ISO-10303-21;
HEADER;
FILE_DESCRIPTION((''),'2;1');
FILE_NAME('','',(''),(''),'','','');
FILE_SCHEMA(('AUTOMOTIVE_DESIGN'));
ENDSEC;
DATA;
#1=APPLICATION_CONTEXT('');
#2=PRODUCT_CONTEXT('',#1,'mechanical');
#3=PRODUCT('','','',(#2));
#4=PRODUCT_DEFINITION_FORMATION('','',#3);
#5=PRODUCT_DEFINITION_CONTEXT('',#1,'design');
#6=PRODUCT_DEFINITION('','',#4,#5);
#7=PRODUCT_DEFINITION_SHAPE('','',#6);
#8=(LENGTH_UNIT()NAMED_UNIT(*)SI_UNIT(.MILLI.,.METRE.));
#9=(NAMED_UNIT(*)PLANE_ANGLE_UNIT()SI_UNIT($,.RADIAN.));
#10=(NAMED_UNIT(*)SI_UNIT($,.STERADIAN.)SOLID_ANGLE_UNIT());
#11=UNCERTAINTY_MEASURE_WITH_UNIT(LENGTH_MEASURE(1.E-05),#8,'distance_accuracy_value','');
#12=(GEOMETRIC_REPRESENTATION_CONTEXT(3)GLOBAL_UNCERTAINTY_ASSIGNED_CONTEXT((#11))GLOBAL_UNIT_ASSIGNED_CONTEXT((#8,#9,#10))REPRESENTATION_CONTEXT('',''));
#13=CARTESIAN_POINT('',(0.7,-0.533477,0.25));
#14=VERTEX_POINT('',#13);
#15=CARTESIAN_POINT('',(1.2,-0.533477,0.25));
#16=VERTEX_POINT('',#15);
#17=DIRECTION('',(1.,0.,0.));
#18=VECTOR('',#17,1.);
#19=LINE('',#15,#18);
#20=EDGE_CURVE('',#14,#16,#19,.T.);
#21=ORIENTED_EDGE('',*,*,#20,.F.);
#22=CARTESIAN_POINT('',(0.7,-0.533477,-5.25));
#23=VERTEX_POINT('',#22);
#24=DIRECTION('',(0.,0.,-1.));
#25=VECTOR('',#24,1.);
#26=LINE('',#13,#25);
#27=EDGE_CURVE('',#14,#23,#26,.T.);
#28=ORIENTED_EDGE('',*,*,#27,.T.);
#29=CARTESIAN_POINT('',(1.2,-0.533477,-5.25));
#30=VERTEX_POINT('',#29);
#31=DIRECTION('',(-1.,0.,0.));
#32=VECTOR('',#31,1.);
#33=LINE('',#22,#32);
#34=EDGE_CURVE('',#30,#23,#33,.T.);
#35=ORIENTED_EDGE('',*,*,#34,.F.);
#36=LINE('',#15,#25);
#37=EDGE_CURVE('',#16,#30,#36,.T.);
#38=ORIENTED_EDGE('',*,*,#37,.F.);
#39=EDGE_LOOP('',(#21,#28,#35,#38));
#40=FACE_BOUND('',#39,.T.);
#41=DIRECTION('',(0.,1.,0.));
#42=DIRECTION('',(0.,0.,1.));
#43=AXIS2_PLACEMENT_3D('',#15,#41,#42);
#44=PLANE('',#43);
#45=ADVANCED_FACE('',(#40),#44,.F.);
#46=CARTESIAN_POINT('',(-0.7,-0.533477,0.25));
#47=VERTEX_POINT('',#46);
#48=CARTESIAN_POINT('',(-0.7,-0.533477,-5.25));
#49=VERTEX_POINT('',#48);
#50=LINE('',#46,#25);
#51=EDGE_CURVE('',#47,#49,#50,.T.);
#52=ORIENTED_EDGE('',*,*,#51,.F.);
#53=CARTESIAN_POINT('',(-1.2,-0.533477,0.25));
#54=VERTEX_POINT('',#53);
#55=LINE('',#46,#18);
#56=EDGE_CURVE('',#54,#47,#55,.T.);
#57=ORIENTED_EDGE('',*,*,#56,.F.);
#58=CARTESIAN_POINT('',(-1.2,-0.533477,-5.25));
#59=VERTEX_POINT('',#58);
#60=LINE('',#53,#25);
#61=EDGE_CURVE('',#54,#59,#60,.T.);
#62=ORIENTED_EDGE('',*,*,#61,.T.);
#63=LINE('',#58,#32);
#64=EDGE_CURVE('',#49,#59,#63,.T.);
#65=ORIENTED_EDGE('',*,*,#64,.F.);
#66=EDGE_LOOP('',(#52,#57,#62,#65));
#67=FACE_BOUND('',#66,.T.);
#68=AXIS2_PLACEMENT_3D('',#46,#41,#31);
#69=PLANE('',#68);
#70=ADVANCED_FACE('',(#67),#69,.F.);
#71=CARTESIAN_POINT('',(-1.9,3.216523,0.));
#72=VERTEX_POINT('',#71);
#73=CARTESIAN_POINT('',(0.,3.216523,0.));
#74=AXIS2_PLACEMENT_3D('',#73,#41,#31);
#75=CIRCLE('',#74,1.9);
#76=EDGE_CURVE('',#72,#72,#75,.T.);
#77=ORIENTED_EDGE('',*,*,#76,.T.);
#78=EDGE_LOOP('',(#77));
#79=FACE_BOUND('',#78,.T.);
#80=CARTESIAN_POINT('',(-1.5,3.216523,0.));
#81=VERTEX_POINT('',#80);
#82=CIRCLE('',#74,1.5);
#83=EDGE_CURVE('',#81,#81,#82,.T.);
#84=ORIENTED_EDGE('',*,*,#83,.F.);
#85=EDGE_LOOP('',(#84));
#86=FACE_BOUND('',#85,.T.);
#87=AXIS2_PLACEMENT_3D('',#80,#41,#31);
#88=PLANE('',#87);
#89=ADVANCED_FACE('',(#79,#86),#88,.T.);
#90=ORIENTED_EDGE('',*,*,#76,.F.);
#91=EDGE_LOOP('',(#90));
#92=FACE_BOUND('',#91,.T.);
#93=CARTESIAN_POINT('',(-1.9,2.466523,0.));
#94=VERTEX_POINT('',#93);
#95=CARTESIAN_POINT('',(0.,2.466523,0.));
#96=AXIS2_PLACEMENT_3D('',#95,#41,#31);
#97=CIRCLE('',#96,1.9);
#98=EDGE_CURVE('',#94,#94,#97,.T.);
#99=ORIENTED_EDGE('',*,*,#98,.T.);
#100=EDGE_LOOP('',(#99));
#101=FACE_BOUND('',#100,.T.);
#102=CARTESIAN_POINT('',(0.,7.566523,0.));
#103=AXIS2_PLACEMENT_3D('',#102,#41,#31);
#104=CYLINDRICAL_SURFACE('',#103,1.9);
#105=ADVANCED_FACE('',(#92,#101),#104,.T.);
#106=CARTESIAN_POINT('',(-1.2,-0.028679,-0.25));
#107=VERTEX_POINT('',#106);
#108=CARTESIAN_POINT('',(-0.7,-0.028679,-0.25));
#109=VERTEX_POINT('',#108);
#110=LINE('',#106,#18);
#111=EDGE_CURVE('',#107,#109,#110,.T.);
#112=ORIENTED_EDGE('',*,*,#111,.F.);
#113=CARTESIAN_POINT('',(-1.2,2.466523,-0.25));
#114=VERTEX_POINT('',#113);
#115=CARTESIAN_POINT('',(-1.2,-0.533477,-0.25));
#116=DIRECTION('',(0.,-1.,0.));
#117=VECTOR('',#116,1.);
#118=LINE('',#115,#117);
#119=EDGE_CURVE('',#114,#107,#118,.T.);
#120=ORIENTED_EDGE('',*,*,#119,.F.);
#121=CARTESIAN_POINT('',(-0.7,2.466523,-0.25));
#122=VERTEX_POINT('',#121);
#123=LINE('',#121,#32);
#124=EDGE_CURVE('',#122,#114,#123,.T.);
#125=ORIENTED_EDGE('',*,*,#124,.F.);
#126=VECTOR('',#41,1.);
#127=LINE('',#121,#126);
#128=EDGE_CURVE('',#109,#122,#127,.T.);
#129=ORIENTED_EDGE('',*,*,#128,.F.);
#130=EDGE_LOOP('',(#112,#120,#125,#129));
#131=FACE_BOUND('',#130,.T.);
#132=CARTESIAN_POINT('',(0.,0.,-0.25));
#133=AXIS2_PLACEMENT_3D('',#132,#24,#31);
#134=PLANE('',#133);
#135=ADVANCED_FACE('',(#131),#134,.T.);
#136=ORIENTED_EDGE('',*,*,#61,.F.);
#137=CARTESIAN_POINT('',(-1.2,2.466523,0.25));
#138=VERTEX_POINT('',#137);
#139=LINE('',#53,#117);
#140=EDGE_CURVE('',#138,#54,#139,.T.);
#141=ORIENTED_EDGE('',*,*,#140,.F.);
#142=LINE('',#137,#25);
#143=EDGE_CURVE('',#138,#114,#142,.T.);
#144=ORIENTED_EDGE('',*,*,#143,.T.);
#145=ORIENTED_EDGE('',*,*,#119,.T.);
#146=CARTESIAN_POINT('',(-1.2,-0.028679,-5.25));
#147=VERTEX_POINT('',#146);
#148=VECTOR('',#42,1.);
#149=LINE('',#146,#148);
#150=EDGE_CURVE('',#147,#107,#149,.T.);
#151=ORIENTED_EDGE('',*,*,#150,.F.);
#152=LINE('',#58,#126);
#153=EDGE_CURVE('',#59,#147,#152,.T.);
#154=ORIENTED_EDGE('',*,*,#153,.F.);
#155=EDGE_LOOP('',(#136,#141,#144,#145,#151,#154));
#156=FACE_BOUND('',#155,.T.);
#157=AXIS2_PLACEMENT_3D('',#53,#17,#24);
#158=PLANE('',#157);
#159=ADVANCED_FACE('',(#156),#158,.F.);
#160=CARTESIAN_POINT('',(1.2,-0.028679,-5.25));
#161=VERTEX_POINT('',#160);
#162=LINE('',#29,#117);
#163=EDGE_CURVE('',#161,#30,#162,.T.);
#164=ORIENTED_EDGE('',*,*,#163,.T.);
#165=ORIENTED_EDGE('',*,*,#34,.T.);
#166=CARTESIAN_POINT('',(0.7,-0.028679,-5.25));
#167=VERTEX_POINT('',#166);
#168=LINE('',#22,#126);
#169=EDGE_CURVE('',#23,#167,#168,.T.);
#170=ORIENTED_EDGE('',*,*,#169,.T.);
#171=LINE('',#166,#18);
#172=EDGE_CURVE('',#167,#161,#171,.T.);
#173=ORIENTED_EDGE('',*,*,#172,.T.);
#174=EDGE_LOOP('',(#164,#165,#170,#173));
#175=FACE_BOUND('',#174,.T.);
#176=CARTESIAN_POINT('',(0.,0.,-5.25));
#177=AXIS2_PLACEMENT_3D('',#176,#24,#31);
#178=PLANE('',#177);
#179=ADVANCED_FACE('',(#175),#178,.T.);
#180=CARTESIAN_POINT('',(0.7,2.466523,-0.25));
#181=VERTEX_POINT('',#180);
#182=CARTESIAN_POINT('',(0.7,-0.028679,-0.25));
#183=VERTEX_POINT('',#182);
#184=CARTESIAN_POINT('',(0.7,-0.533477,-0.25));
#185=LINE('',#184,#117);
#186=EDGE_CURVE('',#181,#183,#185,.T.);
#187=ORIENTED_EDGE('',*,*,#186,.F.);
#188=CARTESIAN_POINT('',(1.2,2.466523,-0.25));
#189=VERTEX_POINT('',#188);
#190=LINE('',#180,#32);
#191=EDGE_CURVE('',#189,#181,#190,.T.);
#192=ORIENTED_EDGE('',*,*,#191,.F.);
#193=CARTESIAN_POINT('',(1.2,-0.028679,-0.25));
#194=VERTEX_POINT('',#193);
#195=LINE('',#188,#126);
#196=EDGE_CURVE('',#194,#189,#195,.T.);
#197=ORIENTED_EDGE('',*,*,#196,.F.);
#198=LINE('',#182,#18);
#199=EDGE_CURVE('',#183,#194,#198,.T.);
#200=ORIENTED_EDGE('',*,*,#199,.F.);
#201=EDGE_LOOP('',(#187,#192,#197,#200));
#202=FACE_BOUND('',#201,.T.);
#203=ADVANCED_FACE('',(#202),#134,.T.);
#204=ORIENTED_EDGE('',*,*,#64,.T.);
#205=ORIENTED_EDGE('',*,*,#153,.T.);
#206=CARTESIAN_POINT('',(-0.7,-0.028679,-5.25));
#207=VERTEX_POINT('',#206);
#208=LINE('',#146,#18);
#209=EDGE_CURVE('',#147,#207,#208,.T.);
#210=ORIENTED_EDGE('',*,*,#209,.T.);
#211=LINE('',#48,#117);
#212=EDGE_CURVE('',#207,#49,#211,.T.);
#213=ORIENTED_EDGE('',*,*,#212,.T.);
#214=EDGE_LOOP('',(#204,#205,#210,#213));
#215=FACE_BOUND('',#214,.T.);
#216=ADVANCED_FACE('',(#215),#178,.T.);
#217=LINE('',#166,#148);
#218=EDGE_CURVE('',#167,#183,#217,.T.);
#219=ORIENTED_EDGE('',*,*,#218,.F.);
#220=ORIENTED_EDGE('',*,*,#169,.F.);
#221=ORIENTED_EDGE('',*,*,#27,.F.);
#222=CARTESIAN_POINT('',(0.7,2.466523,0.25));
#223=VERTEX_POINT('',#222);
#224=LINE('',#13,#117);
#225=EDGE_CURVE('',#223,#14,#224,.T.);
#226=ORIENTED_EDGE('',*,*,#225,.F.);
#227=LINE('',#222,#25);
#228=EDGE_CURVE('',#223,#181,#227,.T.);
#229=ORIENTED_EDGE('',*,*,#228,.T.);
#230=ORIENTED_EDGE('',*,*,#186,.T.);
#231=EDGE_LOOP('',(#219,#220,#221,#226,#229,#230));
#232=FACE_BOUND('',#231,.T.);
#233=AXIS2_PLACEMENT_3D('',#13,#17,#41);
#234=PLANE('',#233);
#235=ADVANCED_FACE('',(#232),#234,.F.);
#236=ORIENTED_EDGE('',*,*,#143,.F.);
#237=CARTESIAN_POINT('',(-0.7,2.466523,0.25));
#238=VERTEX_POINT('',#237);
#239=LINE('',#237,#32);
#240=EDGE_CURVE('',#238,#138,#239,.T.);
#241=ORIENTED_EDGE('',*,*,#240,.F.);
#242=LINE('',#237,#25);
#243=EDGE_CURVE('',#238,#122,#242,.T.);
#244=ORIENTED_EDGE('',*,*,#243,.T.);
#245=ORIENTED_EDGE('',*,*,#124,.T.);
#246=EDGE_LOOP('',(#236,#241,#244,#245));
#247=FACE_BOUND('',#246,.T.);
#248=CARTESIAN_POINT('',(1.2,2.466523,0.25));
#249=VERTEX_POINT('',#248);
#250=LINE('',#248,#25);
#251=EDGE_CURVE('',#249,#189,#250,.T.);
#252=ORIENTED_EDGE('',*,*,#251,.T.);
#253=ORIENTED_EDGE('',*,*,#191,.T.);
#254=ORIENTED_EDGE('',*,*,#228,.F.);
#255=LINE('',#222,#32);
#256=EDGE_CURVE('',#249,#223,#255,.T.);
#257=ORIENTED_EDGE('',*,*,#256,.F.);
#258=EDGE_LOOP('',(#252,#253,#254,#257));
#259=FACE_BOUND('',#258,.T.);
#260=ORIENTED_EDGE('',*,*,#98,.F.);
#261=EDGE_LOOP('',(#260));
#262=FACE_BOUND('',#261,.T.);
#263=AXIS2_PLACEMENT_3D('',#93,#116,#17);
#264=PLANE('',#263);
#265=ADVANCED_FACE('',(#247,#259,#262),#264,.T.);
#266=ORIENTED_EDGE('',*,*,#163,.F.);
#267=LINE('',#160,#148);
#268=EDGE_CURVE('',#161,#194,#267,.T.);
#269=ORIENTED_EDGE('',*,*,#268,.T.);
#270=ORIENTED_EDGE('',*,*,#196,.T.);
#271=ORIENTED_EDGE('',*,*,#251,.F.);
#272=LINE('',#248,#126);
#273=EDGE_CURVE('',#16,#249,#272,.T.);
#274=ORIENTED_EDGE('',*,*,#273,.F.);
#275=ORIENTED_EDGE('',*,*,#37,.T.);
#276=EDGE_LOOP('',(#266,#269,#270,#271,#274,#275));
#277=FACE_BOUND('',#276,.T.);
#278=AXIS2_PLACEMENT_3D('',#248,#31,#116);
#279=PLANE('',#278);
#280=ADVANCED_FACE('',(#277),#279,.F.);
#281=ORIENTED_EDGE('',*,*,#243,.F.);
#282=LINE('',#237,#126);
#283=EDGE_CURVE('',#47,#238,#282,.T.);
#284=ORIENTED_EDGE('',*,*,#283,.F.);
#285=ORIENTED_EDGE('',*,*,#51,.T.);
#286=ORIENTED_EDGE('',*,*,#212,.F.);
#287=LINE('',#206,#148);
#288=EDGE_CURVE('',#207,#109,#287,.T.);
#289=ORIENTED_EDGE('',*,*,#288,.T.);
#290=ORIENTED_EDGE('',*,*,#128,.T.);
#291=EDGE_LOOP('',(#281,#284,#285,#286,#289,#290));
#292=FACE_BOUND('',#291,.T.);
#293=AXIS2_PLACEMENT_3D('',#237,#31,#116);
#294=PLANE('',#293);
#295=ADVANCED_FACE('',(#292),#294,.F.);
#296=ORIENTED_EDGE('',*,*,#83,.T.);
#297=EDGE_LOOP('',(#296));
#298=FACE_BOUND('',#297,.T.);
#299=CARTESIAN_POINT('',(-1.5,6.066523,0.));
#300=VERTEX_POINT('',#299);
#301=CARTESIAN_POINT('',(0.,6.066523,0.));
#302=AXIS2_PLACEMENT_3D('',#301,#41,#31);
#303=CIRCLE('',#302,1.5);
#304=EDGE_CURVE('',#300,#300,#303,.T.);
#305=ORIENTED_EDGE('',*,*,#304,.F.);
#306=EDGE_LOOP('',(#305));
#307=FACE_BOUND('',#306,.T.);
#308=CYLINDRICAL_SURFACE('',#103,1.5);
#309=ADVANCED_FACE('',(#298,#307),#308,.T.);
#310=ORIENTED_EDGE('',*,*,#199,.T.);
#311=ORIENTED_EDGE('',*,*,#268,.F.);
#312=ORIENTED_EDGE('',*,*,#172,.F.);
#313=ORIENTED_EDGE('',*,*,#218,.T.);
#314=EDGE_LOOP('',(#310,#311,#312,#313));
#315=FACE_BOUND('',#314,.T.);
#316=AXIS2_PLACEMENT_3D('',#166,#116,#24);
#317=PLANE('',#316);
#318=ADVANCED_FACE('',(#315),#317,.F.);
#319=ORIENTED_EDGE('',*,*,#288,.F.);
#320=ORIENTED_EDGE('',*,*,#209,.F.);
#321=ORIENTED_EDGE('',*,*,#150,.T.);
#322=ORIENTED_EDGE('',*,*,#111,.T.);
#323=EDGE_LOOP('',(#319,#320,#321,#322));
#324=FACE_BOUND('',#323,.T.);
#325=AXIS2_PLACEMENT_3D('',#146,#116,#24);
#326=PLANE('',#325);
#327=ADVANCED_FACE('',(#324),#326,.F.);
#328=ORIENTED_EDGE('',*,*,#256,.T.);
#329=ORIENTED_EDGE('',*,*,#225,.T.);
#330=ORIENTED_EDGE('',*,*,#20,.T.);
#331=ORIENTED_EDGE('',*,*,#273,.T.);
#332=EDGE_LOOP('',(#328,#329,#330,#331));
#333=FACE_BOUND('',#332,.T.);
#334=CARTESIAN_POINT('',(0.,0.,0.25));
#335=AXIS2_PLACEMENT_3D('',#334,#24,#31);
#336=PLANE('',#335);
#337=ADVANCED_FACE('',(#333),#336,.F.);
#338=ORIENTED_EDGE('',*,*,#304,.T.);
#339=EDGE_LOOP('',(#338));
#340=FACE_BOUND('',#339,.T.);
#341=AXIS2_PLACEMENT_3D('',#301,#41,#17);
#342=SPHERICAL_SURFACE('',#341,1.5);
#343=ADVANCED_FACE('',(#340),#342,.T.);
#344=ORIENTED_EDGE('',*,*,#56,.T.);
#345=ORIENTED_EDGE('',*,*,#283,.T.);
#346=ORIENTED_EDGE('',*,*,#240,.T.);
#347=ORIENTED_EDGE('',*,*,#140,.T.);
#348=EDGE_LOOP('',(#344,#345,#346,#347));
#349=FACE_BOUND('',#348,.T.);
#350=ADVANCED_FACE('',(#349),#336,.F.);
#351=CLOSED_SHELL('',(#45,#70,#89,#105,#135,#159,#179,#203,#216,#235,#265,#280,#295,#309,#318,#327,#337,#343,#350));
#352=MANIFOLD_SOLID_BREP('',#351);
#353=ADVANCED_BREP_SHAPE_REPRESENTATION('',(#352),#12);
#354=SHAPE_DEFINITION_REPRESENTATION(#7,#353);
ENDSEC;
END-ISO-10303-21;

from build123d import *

# Parameters (mm, degrees)
SKICA2_W                = 0.5
SKICA2_H                = 3
P_IDAT_VYSUNUT_M1_DEPTH = 0.25
SKICA3_W                = 0.5
SKICA3_H                = 0.504797781
P_IDAT_VYSUNUT_M2_DEPTH = 5


with BuildPart() as part:
    # Skica1 → Rotovat1 (revolve)
    with BuildSketch(Plane.XY):
        with BuildLine():
            Line((-1.5, 6.066522781), (-1.5, 3.216522781))
            Line((-1.5, 3.216522781), (-1.9, 3.216522781))
            Line((-1.9, 3.216522781), (-1.9, 2.466522781))
            Line((-1.9, 2.466522781), (0, 2.466522781))
            Line((0, 2.466522781), (0, 7.566522781))
            ThreePointArc((0, 7.566522781), (-1.060660172, 7.127182953), (-1.5, 6.066522781))
        make_face()
    revolve(axis=Axis((0, 7.566522781, 0), (0, -1, 0)))

    # Skica2 → Přidat vysunutím1 (add, symmetric)
    with BuildSketch(Plane.XY):
        with Locations((0.95, 0.966522781)):
            Rectangle(SKICA2_W, SKICA2_H)
        with Locations((-0.95, 0.966522781)):
            Rectangle(SKICA2_W, SKICA2_H)
    extrude(amount=P_IDAT_VYSUNUT_M1_DEPTH, both=True)

    # Skica3 → Přidat vysunutím2 (add)
    with BuildSketch(Plane(origin=(0, 0, -0.25), x_dir=(-1, 0, 0), z_dir=(0, 0, -1))):
        with Locations((0.95, -0.281078329)):
            Rectangle(SKICA3_W, SKICA3_H)
        with Locations((-0.95, -0.281078329)):
            Rectangle(SKICA3_W, SKICA3_H)
    extrude(amount=P_IDAT_VYSUNUT_M2_DEPTH)


solid = part.part
